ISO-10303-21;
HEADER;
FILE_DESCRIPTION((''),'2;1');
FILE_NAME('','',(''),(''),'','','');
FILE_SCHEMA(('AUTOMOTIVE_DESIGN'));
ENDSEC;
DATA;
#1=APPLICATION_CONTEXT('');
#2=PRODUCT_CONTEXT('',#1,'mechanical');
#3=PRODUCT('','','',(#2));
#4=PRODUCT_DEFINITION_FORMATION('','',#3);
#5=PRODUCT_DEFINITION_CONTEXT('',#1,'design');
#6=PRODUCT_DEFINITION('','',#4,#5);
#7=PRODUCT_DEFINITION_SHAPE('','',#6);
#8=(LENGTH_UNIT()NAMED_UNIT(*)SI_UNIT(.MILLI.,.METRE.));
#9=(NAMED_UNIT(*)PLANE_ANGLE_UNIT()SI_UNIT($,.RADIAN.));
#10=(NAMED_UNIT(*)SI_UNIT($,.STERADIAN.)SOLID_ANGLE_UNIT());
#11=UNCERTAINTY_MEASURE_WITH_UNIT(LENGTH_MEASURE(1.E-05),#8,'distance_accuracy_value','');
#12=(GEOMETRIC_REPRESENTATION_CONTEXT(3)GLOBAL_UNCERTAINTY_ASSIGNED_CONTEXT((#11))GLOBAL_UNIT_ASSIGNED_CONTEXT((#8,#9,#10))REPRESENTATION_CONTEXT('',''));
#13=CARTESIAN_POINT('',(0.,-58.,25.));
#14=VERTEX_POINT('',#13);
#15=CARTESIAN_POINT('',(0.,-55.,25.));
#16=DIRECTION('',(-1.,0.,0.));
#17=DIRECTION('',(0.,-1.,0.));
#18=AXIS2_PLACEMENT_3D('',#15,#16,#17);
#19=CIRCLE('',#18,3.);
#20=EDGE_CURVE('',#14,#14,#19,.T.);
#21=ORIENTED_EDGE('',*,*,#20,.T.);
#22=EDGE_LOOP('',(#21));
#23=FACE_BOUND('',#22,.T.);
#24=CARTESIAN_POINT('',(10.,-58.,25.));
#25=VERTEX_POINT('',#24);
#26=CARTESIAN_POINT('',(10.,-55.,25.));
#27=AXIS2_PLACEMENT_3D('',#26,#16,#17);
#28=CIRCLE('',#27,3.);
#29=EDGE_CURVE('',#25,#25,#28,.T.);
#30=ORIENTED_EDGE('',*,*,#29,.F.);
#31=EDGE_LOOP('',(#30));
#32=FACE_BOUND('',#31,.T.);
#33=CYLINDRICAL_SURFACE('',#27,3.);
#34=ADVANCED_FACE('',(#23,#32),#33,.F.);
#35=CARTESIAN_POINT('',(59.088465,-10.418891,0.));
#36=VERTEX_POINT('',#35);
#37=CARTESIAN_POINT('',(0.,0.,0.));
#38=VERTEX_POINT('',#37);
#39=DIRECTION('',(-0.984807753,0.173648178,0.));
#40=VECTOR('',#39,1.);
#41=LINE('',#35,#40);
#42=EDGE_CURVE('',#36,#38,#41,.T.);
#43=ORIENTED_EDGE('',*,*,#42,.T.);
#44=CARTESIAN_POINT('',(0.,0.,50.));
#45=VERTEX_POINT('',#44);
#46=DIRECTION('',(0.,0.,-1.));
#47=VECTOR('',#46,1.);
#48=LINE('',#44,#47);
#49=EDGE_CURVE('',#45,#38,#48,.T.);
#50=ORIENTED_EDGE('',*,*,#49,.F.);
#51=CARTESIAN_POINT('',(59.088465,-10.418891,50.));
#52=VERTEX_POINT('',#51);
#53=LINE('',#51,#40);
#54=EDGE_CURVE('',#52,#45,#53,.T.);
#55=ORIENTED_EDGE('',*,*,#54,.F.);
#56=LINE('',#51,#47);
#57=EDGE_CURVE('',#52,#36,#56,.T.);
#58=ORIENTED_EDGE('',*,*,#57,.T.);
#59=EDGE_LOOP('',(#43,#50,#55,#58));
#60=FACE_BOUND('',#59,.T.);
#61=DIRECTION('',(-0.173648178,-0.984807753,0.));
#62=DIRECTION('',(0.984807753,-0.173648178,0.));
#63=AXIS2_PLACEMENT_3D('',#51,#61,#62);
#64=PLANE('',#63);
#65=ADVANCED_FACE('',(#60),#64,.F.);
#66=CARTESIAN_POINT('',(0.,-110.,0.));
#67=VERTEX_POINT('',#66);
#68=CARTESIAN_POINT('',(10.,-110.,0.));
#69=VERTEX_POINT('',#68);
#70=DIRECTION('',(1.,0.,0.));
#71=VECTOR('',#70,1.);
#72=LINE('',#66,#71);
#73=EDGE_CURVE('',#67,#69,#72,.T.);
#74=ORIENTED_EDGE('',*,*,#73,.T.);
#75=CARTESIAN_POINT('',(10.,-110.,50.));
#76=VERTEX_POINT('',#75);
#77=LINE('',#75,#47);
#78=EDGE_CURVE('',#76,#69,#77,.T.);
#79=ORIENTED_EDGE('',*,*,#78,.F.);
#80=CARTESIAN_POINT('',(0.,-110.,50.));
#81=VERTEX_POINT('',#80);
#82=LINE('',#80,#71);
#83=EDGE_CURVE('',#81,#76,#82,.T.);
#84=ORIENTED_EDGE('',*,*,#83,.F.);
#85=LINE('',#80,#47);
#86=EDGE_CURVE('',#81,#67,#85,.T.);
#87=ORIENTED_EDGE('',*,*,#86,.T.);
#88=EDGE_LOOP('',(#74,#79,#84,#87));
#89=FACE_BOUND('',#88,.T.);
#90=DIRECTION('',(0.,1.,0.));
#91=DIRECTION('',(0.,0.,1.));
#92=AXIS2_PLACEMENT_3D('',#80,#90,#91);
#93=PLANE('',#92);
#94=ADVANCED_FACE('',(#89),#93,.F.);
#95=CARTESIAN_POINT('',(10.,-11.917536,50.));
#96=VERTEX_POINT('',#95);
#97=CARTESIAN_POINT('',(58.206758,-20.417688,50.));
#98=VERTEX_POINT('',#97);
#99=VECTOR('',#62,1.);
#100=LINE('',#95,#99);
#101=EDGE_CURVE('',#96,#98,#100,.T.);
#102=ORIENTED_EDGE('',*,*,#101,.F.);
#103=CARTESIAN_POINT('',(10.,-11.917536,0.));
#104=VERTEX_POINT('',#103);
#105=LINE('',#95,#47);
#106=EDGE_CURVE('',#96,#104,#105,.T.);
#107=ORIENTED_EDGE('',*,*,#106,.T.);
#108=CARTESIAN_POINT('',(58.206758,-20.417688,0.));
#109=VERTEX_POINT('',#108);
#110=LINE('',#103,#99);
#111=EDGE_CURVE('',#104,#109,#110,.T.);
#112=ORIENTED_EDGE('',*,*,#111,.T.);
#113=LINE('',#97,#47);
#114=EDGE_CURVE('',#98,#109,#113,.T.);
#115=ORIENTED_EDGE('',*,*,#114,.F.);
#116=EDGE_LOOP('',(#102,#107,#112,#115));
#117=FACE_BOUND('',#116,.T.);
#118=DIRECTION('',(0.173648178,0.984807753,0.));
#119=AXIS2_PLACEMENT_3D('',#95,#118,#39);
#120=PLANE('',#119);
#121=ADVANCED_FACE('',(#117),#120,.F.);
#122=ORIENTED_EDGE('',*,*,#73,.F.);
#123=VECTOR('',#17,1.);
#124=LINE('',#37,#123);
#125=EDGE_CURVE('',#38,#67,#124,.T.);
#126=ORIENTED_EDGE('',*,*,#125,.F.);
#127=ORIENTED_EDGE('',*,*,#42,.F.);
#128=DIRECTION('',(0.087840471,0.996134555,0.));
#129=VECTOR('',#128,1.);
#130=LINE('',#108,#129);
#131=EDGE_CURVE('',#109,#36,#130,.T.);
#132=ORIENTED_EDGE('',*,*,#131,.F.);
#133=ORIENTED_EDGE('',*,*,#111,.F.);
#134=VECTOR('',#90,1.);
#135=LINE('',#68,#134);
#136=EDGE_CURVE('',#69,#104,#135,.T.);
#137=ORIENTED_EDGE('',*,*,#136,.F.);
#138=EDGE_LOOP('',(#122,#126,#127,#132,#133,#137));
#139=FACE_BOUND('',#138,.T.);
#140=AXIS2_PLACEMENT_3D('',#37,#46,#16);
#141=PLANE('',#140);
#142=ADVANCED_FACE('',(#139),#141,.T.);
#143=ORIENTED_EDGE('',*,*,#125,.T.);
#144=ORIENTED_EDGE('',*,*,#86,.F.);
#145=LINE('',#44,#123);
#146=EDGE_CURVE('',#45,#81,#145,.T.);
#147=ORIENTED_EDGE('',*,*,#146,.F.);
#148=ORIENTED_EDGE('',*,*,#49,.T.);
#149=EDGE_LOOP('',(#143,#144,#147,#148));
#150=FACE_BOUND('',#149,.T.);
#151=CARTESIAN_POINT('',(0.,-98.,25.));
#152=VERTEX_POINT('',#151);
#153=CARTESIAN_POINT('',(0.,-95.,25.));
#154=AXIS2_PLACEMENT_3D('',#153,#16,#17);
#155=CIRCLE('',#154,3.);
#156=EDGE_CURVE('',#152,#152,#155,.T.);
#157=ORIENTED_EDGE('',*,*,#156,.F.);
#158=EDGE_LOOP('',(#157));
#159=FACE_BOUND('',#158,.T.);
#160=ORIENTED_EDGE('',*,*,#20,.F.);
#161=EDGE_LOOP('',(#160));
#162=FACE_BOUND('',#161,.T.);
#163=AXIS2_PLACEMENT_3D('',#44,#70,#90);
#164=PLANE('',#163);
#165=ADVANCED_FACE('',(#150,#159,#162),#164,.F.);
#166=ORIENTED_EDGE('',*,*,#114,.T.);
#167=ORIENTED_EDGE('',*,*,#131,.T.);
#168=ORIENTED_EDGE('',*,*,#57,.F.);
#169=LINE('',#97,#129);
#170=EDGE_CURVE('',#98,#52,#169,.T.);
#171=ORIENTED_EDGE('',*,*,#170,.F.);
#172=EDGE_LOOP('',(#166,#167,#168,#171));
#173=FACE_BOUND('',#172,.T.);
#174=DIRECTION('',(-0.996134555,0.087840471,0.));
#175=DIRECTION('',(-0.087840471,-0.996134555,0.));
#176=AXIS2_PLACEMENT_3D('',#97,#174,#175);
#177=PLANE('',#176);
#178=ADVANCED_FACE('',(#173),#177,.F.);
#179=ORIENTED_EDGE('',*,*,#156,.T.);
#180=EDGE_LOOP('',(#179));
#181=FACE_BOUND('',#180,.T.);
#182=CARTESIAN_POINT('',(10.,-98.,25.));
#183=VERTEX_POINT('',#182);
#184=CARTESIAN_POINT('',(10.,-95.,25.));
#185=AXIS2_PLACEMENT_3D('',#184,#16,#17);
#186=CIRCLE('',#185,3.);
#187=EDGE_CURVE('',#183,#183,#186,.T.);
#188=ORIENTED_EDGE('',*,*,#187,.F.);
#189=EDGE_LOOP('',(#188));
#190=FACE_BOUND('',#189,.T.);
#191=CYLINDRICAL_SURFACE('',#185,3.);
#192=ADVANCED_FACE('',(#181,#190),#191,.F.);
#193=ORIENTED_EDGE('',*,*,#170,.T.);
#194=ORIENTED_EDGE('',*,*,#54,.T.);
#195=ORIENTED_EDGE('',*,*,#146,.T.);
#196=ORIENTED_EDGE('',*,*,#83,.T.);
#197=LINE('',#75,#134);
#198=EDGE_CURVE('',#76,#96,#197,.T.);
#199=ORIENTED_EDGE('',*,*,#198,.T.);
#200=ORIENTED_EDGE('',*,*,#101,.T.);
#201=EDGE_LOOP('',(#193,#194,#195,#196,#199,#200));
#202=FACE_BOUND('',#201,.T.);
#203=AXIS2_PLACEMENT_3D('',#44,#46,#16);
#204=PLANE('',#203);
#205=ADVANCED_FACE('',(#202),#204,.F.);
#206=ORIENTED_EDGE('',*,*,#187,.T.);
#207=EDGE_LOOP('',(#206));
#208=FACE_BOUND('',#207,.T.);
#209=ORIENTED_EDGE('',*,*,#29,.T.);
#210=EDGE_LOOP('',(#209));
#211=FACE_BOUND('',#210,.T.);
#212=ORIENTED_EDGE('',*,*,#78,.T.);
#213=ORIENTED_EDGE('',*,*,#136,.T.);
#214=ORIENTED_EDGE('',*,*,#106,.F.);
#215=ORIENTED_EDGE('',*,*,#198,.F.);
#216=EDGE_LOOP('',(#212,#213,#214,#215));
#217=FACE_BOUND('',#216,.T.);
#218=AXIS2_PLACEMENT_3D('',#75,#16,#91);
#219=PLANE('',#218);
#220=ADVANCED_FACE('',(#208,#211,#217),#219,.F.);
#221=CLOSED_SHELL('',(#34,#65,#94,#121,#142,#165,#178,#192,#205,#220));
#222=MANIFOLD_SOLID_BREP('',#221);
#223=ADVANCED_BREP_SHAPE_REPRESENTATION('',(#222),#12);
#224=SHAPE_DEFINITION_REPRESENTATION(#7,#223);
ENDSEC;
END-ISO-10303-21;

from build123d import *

# Parameters (mm, degrees)
BOSS_EXTRU_1_DEPTH      = 50
ESQUISSE2_R             = 3
ENL_V_MAT_EXTRU_1_DEPTH = 10


with BuildPart() as part:
    # Esquisse1 → Boss.-Extru.1 (new body)
    with BuildSketch(Plane.XY):
        Polygon((0, 0), (0, -110), (10, -110), (10, -11.917535926), (58.206757919, -20.417687999), (59.088465181, -10.41889066), align=None)
    extrude(amount=BOSS_EXTRU_1_DEPTH)

    # Esquisse2 → Enlèv. mat.-Extru.1 (cut)
    with BuildSketch(Plane.ZY):
        with Locations(Location((25, -95, 0), (0, 0, 270))):
            Circle(ESQUISSE2_R)
        with Locations(Location((25, -55, 0), (0, 0, 270))):
            Circle(ESQUISSE2_R)
    extrude(amount=-ENL_V_MAT_EXTRU_1_DEPTH, mode=Mode.SUBTRACT)


solid = part.part
